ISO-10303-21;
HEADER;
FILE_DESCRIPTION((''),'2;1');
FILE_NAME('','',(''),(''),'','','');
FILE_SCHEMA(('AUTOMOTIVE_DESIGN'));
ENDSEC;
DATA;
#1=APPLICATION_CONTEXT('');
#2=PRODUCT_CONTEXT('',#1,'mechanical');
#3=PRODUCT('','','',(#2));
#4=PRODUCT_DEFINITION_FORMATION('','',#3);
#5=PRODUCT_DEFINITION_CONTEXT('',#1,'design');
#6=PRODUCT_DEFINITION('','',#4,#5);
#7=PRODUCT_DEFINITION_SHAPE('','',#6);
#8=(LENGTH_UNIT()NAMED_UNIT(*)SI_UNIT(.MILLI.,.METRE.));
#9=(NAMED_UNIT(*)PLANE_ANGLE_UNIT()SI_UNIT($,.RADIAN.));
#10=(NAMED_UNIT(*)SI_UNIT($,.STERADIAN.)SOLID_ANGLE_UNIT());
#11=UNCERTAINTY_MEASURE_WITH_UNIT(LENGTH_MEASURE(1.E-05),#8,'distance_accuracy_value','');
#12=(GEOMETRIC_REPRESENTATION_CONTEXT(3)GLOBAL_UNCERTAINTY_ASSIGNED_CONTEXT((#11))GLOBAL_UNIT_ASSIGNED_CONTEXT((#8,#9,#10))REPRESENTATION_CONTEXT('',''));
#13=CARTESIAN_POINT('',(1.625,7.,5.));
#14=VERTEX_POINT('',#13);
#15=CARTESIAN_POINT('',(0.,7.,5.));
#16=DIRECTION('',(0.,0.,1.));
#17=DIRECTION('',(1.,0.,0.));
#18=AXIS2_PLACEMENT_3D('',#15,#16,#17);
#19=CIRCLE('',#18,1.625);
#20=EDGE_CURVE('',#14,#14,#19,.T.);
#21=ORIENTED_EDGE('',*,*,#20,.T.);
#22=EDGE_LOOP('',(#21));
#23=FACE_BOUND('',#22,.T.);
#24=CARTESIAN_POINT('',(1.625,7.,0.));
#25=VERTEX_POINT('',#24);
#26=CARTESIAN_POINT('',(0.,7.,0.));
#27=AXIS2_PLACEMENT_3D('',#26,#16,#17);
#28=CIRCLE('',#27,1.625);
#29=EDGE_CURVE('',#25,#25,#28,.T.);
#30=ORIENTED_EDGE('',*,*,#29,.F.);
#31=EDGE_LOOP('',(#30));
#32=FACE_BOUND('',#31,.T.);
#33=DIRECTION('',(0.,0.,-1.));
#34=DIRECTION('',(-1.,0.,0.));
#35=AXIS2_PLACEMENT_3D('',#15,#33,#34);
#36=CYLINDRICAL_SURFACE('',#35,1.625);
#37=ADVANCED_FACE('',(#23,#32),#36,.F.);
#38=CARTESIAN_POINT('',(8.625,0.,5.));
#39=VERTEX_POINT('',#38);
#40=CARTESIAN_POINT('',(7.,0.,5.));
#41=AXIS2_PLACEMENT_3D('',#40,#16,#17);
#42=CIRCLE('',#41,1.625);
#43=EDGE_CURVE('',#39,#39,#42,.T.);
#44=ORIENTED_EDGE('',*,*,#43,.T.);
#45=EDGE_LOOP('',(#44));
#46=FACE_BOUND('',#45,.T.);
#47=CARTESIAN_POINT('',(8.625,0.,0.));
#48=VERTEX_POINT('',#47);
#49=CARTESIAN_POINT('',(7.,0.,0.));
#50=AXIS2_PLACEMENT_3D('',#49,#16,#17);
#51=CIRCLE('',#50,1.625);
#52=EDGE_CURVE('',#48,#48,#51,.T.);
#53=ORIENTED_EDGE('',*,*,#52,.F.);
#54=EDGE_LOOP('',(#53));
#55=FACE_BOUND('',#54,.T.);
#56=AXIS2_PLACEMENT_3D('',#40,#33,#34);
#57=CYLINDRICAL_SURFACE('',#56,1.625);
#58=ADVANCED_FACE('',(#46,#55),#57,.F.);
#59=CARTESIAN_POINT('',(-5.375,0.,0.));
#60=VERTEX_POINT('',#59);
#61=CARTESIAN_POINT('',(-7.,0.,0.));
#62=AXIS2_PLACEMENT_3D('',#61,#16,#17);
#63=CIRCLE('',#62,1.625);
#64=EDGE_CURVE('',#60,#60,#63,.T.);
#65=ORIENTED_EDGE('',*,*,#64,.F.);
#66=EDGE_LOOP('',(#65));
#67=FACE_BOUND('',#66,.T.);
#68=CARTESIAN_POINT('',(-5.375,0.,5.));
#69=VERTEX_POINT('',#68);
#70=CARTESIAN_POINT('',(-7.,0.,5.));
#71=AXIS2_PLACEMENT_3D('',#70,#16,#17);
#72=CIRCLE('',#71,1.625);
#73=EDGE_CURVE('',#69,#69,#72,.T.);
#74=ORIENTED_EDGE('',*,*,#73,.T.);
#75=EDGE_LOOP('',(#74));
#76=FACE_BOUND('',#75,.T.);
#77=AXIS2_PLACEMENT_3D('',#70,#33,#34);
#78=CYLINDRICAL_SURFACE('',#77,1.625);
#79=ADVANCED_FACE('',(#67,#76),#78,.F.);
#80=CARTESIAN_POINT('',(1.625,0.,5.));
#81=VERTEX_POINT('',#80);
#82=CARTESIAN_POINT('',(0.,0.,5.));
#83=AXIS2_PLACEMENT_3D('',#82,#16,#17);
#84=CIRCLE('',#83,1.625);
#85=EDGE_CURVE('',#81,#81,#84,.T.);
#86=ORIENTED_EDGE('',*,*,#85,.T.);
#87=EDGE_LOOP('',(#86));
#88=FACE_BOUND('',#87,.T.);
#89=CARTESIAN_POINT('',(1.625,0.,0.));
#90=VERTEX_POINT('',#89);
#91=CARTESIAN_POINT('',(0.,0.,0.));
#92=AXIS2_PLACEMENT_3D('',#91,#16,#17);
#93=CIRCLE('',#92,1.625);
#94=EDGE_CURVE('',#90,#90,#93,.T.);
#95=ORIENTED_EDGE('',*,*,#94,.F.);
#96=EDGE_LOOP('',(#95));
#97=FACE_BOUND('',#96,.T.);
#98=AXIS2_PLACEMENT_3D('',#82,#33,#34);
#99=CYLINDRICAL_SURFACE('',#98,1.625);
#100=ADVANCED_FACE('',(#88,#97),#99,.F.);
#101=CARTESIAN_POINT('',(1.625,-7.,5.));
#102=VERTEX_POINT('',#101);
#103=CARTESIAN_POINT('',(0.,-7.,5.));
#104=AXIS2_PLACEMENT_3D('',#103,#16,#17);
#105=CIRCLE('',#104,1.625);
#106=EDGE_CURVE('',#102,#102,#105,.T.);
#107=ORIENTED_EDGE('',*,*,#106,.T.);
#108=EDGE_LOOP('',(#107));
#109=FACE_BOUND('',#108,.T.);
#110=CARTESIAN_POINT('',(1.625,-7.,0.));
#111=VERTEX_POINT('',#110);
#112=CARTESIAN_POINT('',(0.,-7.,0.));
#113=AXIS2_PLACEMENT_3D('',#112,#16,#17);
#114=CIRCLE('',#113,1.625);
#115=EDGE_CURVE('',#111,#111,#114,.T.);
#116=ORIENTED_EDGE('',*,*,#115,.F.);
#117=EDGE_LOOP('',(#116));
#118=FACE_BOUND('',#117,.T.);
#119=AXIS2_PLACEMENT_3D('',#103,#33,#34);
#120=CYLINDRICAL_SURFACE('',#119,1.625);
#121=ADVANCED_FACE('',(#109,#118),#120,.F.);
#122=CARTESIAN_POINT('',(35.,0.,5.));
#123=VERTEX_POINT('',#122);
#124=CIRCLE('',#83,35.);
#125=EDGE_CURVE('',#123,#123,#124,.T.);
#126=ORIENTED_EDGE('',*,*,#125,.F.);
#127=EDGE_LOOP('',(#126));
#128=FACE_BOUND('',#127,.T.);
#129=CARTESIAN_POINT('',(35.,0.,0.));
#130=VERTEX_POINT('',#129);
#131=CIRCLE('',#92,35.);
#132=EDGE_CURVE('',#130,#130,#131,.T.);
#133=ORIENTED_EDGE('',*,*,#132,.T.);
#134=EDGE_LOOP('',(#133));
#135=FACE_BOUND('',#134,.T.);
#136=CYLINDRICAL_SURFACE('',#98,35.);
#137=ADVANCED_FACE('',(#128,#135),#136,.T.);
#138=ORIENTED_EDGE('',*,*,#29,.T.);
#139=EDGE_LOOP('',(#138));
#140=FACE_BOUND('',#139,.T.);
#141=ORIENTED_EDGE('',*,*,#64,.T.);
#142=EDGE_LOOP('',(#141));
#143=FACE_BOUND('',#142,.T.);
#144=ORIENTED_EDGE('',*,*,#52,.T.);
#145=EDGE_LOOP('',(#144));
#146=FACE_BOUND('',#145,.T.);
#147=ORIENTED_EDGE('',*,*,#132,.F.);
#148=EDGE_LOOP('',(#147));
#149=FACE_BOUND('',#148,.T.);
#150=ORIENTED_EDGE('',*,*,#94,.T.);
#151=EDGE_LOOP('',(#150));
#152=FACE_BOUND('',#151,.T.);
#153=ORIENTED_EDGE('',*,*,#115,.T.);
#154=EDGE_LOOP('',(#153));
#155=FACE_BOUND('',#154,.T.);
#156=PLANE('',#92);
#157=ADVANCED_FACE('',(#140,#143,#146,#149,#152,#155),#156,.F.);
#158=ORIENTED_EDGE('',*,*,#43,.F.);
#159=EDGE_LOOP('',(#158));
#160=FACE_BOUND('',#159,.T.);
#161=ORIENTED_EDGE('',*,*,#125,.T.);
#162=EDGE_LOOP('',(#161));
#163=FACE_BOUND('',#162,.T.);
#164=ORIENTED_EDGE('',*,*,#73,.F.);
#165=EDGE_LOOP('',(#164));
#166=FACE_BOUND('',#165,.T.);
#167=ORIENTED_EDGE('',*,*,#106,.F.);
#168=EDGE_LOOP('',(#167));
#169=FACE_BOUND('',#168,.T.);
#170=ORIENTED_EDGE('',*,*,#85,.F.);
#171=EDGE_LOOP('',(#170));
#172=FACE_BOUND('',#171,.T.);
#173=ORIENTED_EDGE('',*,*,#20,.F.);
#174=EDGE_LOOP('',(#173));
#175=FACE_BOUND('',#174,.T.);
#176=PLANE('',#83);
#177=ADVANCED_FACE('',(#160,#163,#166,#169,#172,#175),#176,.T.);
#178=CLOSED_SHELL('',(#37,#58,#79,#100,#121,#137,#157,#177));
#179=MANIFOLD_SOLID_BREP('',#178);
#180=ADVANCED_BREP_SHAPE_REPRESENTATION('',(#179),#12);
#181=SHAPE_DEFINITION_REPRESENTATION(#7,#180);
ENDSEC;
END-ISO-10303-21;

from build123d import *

# Parameters (mm, degrees)
ESQUISSE1_R        = 35
ESQUISSE1_R_2      = 1.625
BOSS_EXTRU_1_DEPTH = 5


with BuildPart() as part:
    # Esquisse1 → Boss.-Extru.1 (new body)
    with BuildSketch(Plane.XY):
        Circle(ESQUISSE1_R)
        Circle(ESQUISSE1_R_2, mode=Mode.SUBTRACT)
        with Locations((0, 7)):
            Circle(ESQUISSE1_R_2, mode=Mode.SUBTRACT)
        with Locations((7, 0)):
            Circle(ESQUISSE1_R_2, mode=Mode.SUBTRACT)
        with Locations((0, -7)):
            Circle(ESQUISSE1_R_2, mode=Mode.SUBTRACT)
        with Locations((-7, 0)):
            Circle(ESQUISSE1_R_2, mode=Mode.SUBTRACT)
    extrude(amount=BOSS_EXTRU_1_DEPTH)


solid = part.part
